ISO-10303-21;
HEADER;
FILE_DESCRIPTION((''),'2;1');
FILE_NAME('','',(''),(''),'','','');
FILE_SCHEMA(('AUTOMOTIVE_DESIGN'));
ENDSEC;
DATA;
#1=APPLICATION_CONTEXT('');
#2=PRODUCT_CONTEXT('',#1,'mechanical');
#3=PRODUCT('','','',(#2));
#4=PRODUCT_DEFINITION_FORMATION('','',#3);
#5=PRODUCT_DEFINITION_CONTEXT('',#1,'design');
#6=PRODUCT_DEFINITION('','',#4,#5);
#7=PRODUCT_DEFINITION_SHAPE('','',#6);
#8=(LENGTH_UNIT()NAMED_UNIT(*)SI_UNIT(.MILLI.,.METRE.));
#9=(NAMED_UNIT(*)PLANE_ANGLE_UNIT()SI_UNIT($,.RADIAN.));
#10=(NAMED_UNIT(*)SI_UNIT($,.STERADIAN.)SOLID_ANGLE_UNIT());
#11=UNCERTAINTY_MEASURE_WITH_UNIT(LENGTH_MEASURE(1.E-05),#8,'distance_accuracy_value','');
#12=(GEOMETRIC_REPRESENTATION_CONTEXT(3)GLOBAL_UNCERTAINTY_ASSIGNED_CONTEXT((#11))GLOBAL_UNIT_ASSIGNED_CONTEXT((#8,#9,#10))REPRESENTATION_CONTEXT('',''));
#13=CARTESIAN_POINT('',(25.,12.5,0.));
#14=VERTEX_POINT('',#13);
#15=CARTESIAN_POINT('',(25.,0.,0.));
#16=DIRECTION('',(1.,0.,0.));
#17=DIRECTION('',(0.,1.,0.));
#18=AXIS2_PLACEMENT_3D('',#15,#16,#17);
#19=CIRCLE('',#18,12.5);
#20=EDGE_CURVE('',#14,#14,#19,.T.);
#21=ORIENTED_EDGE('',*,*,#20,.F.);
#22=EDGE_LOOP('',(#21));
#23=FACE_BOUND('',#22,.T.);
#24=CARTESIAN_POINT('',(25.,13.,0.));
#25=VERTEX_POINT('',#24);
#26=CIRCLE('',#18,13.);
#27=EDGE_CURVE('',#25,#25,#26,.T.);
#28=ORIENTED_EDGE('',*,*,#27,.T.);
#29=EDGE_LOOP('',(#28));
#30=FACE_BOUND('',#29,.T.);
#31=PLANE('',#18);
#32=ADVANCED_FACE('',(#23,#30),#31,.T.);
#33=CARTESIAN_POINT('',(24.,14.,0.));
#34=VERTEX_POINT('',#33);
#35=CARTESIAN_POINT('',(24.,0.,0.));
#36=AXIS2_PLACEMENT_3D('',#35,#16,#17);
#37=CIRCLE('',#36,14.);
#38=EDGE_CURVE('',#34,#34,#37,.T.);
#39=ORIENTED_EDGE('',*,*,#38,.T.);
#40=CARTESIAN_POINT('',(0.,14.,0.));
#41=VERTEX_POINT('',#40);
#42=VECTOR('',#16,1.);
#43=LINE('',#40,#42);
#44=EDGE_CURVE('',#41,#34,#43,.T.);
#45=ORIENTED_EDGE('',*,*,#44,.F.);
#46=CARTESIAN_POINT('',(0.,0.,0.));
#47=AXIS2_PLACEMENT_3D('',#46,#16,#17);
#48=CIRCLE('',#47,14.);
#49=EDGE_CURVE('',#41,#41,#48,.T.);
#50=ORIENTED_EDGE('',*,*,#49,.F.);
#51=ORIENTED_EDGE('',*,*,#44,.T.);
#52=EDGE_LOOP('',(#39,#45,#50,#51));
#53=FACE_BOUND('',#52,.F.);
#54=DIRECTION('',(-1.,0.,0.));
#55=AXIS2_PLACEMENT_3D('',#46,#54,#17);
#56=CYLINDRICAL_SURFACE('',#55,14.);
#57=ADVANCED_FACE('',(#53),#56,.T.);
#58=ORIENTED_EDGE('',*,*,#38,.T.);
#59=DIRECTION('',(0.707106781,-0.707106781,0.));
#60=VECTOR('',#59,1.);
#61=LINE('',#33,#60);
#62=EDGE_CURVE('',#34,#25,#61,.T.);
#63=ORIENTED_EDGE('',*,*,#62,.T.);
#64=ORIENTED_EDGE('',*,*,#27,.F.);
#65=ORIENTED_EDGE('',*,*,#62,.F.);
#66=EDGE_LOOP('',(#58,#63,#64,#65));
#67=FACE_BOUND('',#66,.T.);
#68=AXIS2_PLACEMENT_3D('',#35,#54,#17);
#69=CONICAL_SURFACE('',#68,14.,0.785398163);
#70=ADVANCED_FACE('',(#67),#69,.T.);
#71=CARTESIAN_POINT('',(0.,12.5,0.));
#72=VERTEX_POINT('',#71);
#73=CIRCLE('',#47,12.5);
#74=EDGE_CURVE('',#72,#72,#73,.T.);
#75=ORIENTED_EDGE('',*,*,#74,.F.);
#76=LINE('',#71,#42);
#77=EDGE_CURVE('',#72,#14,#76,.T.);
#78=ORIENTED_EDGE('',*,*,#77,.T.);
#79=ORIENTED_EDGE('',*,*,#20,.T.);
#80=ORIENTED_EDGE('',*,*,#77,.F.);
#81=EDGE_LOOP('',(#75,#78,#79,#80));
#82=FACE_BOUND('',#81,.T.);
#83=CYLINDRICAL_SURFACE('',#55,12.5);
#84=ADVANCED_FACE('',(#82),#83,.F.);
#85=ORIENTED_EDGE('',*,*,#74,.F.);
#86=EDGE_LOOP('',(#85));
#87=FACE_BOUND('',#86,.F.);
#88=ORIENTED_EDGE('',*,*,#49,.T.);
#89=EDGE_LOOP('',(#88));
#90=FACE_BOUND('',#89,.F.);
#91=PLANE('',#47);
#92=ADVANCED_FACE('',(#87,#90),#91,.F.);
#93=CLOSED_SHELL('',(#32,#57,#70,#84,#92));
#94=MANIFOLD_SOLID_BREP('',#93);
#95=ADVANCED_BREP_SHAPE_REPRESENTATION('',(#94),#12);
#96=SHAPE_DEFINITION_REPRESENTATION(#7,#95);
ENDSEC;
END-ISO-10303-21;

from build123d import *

# Parameters (mm, degrees)
F0_R     = 14
F0_R_2   = 12.5
F1_DEPTH = 25
F2_SIZE  = 1


with BuildPart() as f1:
    # F0 (on Right) → F1 (new body)
    with BuildSketch(Plane.YZ):
        Circle(F0_R)
        Circle(F0_R_2, mode=Mode.SUBTRACT)
    extrude(amount=F1_DEPTH)

    # F2
    f2_edges = [f1.edges().sort_by_distance(p)[0] for p in [
        (25, -14, 0),
    ]]
    chamfer(f2_edges, length=F2_SIZE)


solid = f1.part
